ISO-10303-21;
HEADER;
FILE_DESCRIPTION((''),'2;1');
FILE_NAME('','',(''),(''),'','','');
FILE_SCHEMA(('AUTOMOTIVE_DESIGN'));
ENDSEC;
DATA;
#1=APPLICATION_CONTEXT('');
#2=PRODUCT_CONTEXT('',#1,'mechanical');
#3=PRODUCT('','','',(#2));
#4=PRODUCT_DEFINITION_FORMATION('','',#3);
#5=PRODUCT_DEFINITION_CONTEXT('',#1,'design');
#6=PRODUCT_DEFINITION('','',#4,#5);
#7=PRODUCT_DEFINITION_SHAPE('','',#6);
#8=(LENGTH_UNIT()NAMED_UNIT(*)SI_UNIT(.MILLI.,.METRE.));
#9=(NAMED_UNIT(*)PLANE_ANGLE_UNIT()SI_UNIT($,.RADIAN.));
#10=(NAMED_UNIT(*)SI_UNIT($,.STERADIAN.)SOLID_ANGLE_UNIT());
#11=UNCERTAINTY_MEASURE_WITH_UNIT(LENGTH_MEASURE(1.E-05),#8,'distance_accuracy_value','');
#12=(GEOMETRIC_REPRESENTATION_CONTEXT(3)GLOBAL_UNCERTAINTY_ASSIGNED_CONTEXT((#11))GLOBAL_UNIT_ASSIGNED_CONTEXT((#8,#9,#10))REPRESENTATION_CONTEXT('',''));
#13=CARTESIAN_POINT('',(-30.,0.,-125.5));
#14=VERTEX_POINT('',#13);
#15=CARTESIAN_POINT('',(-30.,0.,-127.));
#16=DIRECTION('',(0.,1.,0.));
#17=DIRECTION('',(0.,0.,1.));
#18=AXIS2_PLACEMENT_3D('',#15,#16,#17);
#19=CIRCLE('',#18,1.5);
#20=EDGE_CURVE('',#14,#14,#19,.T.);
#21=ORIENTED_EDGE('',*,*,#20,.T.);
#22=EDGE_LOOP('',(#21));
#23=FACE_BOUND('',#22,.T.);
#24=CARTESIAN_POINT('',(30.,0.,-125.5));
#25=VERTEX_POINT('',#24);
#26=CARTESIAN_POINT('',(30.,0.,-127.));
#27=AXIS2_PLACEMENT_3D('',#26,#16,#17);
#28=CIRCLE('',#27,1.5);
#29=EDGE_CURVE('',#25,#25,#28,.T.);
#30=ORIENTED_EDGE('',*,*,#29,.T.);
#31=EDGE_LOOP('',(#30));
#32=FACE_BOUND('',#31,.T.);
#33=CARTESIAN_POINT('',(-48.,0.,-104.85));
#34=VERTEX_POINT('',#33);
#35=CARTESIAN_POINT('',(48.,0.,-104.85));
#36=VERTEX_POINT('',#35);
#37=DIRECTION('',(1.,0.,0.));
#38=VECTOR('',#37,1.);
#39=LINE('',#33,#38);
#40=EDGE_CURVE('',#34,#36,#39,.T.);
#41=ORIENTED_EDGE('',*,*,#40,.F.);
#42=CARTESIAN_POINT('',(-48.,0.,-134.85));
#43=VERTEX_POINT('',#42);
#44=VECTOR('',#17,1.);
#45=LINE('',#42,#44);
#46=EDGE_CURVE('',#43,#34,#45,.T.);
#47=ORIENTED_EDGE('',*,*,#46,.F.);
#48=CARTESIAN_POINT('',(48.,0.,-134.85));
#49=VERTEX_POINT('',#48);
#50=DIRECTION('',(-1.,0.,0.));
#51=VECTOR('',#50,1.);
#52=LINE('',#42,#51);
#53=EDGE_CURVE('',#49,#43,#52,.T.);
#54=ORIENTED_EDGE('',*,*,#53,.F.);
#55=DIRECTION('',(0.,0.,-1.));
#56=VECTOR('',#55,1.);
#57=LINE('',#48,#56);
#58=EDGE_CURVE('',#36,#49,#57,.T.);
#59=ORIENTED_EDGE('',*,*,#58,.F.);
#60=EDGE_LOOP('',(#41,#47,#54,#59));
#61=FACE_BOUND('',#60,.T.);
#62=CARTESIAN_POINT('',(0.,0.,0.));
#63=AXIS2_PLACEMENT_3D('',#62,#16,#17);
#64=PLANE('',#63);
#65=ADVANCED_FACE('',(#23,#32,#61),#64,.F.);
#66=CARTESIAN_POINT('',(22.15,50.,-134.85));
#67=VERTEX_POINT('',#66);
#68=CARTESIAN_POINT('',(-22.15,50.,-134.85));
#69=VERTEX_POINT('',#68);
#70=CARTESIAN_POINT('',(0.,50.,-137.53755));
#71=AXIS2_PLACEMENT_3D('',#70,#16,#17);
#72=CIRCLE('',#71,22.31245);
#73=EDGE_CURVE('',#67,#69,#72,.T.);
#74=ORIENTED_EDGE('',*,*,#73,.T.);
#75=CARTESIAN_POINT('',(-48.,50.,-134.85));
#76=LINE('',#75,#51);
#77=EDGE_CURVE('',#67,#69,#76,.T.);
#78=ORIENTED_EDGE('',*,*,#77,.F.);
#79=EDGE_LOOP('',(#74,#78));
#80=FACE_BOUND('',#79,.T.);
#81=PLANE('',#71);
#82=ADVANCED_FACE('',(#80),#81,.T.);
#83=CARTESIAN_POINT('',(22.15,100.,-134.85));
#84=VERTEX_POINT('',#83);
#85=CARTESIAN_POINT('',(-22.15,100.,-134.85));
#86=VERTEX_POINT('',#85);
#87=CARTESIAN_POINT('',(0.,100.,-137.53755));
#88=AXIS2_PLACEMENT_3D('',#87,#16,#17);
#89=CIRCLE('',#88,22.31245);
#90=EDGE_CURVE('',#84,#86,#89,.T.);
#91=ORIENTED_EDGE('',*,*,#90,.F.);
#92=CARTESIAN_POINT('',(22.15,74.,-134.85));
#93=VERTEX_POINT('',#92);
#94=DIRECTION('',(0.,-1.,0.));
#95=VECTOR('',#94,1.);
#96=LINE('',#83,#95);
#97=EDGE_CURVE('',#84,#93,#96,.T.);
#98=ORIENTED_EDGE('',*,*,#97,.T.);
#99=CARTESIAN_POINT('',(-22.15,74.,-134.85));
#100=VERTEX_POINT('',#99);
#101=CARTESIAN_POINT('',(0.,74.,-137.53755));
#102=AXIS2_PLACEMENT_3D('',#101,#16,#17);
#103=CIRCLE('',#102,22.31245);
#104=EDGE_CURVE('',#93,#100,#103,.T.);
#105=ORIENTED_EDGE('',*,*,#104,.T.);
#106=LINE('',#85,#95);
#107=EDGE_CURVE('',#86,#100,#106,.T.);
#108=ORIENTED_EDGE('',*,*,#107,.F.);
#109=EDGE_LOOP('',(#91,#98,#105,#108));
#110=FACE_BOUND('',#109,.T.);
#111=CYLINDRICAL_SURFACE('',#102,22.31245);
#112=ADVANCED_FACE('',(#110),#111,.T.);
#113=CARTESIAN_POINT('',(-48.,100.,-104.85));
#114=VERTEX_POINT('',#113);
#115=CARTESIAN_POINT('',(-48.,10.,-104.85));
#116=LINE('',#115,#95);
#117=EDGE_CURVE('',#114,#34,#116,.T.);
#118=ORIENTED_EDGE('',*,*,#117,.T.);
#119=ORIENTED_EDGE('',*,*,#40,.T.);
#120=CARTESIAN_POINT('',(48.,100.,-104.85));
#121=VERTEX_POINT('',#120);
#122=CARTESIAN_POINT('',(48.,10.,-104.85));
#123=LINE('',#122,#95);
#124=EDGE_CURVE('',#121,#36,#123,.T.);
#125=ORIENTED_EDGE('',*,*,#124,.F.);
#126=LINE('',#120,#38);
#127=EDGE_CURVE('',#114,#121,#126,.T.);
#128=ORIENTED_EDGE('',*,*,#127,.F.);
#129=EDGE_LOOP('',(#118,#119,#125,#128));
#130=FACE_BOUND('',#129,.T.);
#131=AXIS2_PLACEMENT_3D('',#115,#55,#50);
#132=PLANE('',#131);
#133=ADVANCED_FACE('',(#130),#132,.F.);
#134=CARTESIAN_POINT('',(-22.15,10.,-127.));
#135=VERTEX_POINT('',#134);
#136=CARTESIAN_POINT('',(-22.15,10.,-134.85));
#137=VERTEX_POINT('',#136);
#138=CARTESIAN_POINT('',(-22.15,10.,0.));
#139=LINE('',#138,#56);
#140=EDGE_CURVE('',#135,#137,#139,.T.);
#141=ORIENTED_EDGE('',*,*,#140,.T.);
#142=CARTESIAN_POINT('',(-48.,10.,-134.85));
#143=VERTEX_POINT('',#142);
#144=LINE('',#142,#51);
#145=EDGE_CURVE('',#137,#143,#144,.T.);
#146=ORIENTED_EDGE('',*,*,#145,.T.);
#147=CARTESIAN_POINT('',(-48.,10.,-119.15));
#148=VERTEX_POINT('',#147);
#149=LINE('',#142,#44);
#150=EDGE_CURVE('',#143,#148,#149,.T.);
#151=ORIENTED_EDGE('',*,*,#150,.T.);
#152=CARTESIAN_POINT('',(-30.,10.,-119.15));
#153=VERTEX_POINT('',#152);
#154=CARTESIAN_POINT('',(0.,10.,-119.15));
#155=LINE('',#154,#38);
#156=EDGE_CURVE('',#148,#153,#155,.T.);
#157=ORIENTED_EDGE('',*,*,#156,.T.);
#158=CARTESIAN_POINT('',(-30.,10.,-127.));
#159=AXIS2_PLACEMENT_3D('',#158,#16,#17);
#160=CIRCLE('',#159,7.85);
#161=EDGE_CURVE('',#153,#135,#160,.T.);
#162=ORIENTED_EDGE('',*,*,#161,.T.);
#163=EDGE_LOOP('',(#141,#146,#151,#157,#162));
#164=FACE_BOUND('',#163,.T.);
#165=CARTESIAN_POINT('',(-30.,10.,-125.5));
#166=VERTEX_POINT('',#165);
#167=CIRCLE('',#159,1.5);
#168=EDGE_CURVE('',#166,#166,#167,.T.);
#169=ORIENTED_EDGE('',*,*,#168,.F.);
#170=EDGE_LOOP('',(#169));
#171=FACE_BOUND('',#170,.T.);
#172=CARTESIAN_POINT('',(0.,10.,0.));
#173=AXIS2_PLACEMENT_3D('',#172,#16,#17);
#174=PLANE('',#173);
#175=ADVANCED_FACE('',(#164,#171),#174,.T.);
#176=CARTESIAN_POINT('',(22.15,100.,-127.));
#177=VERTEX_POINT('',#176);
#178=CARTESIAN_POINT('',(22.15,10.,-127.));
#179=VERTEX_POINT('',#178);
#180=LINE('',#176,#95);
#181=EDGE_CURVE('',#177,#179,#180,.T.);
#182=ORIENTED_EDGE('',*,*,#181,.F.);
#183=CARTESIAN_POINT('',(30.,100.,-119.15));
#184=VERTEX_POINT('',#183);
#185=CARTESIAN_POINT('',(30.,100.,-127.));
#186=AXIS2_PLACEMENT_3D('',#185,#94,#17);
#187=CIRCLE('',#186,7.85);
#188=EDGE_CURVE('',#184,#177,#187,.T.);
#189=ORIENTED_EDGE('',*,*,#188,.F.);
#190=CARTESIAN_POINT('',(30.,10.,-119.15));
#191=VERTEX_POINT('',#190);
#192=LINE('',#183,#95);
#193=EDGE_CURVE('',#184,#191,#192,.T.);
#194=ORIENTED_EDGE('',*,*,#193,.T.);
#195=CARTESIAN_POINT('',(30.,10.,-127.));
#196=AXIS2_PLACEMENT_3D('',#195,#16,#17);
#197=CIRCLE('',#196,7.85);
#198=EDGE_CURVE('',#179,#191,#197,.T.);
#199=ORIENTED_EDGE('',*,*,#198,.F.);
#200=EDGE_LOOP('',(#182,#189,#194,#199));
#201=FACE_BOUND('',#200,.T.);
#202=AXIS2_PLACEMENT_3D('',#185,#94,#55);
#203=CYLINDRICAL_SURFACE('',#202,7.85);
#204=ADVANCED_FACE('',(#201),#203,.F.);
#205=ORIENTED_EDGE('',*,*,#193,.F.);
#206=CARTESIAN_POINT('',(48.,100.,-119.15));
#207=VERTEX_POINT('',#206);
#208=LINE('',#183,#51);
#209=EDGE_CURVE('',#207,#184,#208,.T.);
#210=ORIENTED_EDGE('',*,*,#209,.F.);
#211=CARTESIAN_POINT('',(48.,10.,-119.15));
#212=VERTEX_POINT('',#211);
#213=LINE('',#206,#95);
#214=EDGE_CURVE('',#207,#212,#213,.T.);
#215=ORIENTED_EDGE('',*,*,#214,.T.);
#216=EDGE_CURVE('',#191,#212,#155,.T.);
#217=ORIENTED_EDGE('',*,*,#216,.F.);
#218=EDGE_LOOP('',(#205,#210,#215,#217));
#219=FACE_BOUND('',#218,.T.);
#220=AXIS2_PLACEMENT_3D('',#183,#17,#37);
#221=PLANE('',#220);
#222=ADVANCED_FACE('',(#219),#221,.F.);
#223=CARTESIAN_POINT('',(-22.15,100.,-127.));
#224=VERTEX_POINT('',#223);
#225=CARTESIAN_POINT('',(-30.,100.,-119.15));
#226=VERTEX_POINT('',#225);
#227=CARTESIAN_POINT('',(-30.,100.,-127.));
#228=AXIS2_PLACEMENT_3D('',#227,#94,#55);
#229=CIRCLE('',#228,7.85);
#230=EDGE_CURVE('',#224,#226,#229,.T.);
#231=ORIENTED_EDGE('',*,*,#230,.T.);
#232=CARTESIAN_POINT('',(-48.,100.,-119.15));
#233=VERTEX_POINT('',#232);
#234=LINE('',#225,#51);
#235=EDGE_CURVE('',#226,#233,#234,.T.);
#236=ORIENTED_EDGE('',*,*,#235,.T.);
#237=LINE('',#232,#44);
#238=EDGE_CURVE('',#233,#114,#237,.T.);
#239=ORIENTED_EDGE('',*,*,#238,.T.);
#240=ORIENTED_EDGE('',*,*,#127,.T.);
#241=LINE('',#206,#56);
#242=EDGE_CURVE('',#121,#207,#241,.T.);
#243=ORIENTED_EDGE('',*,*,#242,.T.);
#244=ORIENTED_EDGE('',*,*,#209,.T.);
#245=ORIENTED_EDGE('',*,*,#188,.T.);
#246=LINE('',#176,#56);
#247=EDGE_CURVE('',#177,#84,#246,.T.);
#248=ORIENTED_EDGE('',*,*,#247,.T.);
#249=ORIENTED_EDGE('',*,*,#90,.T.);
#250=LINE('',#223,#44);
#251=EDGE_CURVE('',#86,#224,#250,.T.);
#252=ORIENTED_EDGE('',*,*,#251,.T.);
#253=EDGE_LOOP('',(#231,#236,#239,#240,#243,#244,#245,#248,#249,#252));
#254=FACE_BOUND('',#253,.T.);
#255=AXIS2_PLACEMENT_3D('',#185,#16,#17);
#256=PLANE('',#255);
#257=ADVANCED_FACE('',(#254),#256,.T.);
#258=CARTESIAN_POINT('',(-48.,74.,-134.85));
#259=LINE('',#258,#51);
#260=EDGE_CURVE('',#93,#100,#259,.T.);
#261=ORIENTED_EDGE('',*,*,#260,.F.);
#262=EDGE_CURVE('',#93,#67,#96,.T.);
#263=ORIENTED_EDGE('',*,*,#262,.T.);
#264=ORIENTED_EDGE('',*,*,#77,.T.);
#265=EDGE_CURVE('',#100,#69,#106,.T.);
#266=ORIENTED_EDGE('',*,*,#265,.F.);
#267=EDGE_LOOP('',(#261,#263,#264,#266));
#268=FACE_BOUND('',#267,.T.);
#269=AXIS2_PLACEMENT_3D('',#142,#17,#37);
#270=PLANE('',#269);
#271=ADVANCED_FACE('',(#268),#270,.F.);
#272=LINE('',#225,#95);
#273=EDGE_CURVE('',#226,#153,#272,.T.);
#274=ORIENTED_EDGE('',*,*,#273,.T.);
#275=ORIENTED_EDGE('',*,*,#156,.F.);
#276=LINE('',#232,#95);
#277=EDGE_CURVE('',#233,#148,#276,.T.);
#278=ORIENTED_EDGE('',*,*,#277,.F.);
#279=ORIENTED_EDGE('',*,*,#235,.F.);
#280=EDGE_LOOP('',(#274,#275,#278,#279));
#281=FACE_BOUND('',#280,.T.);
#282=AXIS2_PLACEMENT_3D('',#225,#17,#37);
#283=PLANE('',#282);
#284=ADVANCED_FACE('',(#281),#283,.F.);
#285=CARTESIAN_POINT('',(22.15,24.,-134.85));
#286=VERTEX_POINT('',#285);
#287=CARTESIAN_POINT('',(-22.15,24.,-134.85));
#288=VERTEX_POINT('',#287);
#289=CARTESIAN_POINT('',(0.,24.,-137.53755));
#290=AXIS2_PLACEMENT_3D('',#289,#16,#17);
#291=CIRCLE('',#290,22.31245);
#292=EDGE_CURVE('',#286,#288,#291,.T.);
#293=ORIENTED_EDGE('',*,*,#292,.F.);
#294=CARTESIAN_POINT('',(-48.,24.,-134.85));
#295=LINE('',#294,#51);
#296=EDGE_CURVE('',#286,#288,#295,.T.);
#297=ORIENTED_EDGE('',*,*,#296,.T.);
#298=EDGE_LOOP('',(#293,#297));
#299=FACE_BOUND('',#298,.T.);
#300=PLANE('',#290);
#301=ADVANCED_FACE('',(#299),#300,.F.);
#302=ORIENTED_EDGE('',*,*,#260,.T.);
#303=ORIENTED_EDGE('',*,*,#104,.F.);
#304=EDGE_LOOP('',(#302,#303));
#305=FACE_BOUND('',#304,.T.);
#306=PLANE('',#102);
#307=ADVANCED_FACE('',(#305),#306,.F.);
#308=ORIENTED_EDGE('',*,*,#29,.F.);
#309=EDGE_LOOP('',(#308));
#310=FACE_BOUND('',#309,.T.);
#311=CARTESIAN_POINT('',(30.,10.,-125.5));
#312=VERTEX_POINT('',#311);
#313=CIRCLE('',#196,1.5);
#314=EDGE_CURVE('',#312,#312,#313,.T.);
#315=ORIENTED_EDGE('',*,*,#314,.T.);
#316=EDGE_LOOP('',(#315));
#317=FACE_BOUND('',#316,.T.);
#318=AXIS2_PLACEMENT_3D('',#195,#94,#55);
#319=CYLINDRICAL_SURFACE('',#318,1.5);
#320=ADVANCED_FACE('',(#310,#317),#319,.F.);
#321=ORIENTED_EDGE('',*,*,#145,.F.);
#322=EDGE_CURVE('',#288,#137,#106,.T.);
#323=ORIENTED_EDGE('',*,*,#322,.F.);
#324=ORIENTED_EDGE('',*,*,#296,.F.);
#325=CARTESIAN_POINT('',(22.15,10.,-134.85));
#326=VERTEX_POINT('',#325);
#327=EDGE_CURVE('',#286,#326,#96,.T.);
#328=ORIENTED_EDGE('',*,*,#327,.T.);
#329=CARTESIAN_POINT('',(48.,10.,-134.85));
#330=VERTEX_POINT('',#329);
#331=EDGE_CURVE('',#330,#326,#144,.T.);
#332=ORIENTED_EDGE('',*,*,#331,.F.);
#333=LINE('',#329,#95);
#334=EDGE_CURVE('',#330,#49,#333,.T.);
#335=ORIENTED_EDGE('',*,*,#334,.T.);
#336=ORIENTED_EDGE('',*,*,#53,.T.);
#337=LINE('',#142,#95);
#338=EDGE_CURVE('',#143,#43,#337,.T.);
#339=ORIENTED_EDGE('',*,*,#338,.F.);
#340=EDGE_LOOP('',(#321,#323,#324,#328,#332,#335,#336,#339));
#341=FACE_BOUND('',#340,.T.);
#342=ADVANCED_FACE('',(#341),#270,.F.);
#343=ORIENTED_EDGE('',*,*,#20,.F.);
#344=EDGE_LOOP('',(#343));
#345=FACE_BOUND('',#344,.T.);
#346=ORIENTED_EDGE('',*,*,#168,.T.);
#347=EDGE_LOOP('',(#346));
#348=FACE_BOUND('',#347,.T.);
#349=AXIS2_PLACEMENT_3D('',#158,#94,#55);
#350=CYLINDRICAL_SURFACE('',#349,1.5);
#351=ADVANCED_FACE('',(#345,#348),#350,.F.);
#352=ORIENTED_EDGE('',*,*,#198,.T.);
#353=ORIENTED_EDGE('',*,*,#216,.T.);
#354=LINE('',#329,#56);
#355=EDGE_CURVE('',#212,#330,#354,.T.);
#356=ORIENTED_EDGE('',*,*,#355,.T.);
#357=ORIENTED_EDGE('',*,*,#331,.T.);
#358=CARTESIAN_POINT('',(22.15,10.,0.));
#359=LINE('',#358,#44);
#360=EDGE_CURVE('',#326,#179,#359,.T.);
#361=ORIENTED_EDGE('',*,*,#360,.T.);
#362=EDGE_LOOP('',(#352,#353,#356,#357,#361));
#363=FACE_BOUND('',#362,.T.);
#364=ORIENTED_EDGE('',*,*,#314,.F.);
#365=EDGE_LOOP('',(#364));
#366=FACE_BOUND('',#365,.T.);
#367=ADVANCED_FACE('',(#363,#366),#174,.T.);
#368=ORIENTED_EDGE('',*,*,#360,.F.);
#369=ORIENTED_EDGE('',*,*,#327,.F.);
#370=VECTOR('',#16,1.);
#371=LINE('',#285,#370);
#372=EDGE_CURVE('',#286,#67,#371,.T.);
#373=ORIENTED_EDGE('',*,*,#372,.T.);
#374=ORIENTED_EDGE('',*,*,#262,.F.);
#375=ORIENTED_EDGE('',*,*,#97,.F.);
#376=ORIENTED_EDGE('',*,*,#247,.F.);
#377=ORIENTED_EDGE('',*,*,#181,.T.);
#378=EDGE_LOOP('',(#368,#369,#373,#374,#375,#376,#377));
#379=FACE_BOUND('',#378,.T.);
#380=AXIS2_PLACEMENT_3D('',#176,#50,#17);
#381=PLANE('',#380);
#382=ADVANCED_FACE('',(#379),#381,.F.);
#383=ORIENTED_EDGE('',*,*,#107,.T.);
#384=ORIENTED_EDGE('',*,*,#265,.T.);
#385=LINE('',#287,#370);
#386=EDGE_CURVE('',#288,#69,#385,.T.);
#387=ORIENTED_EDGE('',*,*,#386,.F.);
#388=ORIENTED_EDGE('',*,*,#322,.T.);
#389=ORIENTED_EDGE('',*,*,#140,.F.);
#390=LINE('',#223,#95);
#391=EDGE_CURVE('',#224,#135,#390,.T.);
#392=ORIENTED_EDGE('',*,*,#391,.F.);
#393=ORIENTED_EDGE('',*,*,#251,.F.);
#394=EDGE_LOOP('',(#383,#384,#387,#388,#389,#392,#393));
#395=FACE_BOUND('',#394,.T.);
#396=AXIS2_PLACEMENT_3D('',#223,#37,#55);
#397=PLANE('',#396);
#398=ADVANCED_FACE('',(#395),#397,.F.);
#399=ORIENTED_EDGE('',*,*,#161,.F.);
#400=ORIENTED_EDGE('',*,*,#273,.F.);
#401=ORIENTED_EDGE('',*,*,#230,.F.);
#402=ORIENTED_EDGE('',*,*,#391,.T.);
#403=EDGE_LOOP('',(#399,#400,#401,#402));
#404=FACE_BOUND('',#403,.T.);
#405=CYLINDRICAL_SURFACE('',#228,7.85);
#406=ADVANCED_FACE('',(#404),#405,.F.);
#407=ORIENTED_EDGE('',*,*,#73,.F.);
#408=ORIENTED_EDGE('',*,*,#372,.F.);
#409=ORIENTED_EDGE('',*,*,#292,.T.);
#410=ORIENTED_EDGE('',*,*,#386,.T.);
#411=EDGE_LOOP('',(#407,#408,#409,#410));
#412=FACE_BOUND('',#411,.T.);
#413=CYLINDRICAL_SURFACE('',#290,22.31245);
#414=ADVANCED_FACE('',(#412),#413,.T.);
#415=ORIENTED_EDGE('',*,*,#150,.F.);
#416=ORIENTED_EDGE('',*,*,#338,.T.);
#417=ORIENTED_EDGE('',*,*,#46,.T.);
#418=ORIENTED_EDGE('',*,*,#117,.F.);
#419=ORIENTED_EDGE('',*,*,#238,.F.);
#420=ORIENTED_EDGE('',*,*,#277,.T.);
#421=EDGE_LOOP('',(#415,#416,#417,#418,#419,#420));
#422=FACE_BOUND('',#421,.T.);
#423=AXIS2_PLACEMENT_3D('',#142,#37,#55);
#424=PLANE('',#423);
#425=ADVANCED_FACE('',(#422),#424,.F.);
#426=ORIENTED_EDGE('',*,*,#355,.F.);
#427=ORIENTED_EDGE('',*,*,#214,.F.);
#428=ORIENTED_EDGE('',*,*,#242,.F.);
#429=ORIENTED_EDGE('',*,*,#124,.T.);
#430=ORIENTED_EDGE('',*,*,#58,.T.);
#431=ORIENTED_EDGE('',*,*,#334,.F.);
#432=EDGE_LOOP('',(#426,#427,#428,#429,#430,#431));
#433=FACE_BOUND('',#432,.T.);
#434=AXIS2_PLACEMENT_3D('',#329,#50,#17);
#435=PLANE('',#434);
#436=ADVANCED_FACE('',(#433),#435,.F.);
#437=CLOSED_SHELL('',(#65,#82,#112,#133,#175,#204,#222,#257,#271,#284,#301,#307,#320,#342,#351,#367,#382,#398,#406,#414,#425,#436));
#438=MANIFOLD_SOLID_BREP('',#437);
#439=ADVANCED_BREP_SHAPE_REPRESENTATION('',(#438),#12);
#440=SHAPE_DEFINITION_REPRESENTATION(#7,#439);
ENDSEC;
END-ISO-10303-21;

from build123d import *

# Parameters (mm, degrees)
SKETCH2_W           = 96
SKETCH2_H           = 30
SKETCH2_R           = 1.5
BOSS_EXTRUDE2_DEPTH = 10
BOSS_EXTRUDE4_DEPTH = 100
BOSS_EXTRUDE5_DEPTH = 26
LPATTERN1_COUNT     = 2
LPATTERN1_PITCH     = 50


with BuildPart() as part:
    # Sketch2 → Boss-Extrude2 (new body)
    with BuildSketch(Plane(origin=(0, 0, 0), x_dir=(1, 0, 0), z_dir=(0, 1, 0))):
        with Locations((0, 119.85)):
            Rectangle(SKETCH2_W, SKETCH2_H)
        with Locations((-30, 127)):
            Circle(SKETCH2_R, mode=Mode.SUBTRACT)
        with Locations((30, 127)):
            Circle(SKETCH2_R, mode=Mode.SUBTRACT)
    extrude(amount=BOSS_EXTRUDE2_DEPTH)

    # Sketch4 → Boss-Extrude4 (add)
    with BuildSketch(Plane(origin=(0, 0, 0), x_dir=(1, 0, 0), z_dir=(0, 1, 0))):
        with BuildLine():
            Line((-22.15, 134.85), (22.15, 134.85))
            Line((22.15, 134.85), (22.15, 127))
            ThreePointArc((22.15, 127), (24.449211768, 121.449211768), (30, 119.15))
            Line((30, 119.15), (48, 119.15))
            Line((48, 119.15), (48, 104.85))
            Line((48, 104.85), (-48, 104.85))
            Line((-48, 104.85), (-48, 119.15))
            Line((-48, 119.15), (-30, 119.15))
            ThreePointArc((-30, 119.15), (-24.449211768, 121.449211768), (-22.15, 127))
            Line((-22.15, 127), (-22.15, 134.85))
        make_face()
    extrude(amount=BOSS_EXTRUDE4_DEPTH)

    # Sketch6 → Boss-Extrude5 (add)
    with BuildSketch(Plane(origin=(0, 100, 0), x_dir=(1, 0, 0), z_dir=(0, 1, 0))):
        with BuildLine():
            Line((22.15, 134.85), (22.15, 104.85))
            Line((22.15, 104.85), (-22.15, 104.85))
            Line((-22.15, 104.85), (-22.15, 134.85))
            ThreePointArc((-22.15, 134.85), (0, 159.85), (22.15, 134.85))
        make_face()
    boss_extrude5 = extrude(amount=-BOSS_EXTRUDE5_DEPTH)

    # LPattern1: Boss-Extrude5 ×2
    with Locations(*[(0, -i * LPATTERN1_PITCH, 0) for i in range(1, LPATTERN1_COUNT)]):
        add(boss_extrude5)


solid = part.part
